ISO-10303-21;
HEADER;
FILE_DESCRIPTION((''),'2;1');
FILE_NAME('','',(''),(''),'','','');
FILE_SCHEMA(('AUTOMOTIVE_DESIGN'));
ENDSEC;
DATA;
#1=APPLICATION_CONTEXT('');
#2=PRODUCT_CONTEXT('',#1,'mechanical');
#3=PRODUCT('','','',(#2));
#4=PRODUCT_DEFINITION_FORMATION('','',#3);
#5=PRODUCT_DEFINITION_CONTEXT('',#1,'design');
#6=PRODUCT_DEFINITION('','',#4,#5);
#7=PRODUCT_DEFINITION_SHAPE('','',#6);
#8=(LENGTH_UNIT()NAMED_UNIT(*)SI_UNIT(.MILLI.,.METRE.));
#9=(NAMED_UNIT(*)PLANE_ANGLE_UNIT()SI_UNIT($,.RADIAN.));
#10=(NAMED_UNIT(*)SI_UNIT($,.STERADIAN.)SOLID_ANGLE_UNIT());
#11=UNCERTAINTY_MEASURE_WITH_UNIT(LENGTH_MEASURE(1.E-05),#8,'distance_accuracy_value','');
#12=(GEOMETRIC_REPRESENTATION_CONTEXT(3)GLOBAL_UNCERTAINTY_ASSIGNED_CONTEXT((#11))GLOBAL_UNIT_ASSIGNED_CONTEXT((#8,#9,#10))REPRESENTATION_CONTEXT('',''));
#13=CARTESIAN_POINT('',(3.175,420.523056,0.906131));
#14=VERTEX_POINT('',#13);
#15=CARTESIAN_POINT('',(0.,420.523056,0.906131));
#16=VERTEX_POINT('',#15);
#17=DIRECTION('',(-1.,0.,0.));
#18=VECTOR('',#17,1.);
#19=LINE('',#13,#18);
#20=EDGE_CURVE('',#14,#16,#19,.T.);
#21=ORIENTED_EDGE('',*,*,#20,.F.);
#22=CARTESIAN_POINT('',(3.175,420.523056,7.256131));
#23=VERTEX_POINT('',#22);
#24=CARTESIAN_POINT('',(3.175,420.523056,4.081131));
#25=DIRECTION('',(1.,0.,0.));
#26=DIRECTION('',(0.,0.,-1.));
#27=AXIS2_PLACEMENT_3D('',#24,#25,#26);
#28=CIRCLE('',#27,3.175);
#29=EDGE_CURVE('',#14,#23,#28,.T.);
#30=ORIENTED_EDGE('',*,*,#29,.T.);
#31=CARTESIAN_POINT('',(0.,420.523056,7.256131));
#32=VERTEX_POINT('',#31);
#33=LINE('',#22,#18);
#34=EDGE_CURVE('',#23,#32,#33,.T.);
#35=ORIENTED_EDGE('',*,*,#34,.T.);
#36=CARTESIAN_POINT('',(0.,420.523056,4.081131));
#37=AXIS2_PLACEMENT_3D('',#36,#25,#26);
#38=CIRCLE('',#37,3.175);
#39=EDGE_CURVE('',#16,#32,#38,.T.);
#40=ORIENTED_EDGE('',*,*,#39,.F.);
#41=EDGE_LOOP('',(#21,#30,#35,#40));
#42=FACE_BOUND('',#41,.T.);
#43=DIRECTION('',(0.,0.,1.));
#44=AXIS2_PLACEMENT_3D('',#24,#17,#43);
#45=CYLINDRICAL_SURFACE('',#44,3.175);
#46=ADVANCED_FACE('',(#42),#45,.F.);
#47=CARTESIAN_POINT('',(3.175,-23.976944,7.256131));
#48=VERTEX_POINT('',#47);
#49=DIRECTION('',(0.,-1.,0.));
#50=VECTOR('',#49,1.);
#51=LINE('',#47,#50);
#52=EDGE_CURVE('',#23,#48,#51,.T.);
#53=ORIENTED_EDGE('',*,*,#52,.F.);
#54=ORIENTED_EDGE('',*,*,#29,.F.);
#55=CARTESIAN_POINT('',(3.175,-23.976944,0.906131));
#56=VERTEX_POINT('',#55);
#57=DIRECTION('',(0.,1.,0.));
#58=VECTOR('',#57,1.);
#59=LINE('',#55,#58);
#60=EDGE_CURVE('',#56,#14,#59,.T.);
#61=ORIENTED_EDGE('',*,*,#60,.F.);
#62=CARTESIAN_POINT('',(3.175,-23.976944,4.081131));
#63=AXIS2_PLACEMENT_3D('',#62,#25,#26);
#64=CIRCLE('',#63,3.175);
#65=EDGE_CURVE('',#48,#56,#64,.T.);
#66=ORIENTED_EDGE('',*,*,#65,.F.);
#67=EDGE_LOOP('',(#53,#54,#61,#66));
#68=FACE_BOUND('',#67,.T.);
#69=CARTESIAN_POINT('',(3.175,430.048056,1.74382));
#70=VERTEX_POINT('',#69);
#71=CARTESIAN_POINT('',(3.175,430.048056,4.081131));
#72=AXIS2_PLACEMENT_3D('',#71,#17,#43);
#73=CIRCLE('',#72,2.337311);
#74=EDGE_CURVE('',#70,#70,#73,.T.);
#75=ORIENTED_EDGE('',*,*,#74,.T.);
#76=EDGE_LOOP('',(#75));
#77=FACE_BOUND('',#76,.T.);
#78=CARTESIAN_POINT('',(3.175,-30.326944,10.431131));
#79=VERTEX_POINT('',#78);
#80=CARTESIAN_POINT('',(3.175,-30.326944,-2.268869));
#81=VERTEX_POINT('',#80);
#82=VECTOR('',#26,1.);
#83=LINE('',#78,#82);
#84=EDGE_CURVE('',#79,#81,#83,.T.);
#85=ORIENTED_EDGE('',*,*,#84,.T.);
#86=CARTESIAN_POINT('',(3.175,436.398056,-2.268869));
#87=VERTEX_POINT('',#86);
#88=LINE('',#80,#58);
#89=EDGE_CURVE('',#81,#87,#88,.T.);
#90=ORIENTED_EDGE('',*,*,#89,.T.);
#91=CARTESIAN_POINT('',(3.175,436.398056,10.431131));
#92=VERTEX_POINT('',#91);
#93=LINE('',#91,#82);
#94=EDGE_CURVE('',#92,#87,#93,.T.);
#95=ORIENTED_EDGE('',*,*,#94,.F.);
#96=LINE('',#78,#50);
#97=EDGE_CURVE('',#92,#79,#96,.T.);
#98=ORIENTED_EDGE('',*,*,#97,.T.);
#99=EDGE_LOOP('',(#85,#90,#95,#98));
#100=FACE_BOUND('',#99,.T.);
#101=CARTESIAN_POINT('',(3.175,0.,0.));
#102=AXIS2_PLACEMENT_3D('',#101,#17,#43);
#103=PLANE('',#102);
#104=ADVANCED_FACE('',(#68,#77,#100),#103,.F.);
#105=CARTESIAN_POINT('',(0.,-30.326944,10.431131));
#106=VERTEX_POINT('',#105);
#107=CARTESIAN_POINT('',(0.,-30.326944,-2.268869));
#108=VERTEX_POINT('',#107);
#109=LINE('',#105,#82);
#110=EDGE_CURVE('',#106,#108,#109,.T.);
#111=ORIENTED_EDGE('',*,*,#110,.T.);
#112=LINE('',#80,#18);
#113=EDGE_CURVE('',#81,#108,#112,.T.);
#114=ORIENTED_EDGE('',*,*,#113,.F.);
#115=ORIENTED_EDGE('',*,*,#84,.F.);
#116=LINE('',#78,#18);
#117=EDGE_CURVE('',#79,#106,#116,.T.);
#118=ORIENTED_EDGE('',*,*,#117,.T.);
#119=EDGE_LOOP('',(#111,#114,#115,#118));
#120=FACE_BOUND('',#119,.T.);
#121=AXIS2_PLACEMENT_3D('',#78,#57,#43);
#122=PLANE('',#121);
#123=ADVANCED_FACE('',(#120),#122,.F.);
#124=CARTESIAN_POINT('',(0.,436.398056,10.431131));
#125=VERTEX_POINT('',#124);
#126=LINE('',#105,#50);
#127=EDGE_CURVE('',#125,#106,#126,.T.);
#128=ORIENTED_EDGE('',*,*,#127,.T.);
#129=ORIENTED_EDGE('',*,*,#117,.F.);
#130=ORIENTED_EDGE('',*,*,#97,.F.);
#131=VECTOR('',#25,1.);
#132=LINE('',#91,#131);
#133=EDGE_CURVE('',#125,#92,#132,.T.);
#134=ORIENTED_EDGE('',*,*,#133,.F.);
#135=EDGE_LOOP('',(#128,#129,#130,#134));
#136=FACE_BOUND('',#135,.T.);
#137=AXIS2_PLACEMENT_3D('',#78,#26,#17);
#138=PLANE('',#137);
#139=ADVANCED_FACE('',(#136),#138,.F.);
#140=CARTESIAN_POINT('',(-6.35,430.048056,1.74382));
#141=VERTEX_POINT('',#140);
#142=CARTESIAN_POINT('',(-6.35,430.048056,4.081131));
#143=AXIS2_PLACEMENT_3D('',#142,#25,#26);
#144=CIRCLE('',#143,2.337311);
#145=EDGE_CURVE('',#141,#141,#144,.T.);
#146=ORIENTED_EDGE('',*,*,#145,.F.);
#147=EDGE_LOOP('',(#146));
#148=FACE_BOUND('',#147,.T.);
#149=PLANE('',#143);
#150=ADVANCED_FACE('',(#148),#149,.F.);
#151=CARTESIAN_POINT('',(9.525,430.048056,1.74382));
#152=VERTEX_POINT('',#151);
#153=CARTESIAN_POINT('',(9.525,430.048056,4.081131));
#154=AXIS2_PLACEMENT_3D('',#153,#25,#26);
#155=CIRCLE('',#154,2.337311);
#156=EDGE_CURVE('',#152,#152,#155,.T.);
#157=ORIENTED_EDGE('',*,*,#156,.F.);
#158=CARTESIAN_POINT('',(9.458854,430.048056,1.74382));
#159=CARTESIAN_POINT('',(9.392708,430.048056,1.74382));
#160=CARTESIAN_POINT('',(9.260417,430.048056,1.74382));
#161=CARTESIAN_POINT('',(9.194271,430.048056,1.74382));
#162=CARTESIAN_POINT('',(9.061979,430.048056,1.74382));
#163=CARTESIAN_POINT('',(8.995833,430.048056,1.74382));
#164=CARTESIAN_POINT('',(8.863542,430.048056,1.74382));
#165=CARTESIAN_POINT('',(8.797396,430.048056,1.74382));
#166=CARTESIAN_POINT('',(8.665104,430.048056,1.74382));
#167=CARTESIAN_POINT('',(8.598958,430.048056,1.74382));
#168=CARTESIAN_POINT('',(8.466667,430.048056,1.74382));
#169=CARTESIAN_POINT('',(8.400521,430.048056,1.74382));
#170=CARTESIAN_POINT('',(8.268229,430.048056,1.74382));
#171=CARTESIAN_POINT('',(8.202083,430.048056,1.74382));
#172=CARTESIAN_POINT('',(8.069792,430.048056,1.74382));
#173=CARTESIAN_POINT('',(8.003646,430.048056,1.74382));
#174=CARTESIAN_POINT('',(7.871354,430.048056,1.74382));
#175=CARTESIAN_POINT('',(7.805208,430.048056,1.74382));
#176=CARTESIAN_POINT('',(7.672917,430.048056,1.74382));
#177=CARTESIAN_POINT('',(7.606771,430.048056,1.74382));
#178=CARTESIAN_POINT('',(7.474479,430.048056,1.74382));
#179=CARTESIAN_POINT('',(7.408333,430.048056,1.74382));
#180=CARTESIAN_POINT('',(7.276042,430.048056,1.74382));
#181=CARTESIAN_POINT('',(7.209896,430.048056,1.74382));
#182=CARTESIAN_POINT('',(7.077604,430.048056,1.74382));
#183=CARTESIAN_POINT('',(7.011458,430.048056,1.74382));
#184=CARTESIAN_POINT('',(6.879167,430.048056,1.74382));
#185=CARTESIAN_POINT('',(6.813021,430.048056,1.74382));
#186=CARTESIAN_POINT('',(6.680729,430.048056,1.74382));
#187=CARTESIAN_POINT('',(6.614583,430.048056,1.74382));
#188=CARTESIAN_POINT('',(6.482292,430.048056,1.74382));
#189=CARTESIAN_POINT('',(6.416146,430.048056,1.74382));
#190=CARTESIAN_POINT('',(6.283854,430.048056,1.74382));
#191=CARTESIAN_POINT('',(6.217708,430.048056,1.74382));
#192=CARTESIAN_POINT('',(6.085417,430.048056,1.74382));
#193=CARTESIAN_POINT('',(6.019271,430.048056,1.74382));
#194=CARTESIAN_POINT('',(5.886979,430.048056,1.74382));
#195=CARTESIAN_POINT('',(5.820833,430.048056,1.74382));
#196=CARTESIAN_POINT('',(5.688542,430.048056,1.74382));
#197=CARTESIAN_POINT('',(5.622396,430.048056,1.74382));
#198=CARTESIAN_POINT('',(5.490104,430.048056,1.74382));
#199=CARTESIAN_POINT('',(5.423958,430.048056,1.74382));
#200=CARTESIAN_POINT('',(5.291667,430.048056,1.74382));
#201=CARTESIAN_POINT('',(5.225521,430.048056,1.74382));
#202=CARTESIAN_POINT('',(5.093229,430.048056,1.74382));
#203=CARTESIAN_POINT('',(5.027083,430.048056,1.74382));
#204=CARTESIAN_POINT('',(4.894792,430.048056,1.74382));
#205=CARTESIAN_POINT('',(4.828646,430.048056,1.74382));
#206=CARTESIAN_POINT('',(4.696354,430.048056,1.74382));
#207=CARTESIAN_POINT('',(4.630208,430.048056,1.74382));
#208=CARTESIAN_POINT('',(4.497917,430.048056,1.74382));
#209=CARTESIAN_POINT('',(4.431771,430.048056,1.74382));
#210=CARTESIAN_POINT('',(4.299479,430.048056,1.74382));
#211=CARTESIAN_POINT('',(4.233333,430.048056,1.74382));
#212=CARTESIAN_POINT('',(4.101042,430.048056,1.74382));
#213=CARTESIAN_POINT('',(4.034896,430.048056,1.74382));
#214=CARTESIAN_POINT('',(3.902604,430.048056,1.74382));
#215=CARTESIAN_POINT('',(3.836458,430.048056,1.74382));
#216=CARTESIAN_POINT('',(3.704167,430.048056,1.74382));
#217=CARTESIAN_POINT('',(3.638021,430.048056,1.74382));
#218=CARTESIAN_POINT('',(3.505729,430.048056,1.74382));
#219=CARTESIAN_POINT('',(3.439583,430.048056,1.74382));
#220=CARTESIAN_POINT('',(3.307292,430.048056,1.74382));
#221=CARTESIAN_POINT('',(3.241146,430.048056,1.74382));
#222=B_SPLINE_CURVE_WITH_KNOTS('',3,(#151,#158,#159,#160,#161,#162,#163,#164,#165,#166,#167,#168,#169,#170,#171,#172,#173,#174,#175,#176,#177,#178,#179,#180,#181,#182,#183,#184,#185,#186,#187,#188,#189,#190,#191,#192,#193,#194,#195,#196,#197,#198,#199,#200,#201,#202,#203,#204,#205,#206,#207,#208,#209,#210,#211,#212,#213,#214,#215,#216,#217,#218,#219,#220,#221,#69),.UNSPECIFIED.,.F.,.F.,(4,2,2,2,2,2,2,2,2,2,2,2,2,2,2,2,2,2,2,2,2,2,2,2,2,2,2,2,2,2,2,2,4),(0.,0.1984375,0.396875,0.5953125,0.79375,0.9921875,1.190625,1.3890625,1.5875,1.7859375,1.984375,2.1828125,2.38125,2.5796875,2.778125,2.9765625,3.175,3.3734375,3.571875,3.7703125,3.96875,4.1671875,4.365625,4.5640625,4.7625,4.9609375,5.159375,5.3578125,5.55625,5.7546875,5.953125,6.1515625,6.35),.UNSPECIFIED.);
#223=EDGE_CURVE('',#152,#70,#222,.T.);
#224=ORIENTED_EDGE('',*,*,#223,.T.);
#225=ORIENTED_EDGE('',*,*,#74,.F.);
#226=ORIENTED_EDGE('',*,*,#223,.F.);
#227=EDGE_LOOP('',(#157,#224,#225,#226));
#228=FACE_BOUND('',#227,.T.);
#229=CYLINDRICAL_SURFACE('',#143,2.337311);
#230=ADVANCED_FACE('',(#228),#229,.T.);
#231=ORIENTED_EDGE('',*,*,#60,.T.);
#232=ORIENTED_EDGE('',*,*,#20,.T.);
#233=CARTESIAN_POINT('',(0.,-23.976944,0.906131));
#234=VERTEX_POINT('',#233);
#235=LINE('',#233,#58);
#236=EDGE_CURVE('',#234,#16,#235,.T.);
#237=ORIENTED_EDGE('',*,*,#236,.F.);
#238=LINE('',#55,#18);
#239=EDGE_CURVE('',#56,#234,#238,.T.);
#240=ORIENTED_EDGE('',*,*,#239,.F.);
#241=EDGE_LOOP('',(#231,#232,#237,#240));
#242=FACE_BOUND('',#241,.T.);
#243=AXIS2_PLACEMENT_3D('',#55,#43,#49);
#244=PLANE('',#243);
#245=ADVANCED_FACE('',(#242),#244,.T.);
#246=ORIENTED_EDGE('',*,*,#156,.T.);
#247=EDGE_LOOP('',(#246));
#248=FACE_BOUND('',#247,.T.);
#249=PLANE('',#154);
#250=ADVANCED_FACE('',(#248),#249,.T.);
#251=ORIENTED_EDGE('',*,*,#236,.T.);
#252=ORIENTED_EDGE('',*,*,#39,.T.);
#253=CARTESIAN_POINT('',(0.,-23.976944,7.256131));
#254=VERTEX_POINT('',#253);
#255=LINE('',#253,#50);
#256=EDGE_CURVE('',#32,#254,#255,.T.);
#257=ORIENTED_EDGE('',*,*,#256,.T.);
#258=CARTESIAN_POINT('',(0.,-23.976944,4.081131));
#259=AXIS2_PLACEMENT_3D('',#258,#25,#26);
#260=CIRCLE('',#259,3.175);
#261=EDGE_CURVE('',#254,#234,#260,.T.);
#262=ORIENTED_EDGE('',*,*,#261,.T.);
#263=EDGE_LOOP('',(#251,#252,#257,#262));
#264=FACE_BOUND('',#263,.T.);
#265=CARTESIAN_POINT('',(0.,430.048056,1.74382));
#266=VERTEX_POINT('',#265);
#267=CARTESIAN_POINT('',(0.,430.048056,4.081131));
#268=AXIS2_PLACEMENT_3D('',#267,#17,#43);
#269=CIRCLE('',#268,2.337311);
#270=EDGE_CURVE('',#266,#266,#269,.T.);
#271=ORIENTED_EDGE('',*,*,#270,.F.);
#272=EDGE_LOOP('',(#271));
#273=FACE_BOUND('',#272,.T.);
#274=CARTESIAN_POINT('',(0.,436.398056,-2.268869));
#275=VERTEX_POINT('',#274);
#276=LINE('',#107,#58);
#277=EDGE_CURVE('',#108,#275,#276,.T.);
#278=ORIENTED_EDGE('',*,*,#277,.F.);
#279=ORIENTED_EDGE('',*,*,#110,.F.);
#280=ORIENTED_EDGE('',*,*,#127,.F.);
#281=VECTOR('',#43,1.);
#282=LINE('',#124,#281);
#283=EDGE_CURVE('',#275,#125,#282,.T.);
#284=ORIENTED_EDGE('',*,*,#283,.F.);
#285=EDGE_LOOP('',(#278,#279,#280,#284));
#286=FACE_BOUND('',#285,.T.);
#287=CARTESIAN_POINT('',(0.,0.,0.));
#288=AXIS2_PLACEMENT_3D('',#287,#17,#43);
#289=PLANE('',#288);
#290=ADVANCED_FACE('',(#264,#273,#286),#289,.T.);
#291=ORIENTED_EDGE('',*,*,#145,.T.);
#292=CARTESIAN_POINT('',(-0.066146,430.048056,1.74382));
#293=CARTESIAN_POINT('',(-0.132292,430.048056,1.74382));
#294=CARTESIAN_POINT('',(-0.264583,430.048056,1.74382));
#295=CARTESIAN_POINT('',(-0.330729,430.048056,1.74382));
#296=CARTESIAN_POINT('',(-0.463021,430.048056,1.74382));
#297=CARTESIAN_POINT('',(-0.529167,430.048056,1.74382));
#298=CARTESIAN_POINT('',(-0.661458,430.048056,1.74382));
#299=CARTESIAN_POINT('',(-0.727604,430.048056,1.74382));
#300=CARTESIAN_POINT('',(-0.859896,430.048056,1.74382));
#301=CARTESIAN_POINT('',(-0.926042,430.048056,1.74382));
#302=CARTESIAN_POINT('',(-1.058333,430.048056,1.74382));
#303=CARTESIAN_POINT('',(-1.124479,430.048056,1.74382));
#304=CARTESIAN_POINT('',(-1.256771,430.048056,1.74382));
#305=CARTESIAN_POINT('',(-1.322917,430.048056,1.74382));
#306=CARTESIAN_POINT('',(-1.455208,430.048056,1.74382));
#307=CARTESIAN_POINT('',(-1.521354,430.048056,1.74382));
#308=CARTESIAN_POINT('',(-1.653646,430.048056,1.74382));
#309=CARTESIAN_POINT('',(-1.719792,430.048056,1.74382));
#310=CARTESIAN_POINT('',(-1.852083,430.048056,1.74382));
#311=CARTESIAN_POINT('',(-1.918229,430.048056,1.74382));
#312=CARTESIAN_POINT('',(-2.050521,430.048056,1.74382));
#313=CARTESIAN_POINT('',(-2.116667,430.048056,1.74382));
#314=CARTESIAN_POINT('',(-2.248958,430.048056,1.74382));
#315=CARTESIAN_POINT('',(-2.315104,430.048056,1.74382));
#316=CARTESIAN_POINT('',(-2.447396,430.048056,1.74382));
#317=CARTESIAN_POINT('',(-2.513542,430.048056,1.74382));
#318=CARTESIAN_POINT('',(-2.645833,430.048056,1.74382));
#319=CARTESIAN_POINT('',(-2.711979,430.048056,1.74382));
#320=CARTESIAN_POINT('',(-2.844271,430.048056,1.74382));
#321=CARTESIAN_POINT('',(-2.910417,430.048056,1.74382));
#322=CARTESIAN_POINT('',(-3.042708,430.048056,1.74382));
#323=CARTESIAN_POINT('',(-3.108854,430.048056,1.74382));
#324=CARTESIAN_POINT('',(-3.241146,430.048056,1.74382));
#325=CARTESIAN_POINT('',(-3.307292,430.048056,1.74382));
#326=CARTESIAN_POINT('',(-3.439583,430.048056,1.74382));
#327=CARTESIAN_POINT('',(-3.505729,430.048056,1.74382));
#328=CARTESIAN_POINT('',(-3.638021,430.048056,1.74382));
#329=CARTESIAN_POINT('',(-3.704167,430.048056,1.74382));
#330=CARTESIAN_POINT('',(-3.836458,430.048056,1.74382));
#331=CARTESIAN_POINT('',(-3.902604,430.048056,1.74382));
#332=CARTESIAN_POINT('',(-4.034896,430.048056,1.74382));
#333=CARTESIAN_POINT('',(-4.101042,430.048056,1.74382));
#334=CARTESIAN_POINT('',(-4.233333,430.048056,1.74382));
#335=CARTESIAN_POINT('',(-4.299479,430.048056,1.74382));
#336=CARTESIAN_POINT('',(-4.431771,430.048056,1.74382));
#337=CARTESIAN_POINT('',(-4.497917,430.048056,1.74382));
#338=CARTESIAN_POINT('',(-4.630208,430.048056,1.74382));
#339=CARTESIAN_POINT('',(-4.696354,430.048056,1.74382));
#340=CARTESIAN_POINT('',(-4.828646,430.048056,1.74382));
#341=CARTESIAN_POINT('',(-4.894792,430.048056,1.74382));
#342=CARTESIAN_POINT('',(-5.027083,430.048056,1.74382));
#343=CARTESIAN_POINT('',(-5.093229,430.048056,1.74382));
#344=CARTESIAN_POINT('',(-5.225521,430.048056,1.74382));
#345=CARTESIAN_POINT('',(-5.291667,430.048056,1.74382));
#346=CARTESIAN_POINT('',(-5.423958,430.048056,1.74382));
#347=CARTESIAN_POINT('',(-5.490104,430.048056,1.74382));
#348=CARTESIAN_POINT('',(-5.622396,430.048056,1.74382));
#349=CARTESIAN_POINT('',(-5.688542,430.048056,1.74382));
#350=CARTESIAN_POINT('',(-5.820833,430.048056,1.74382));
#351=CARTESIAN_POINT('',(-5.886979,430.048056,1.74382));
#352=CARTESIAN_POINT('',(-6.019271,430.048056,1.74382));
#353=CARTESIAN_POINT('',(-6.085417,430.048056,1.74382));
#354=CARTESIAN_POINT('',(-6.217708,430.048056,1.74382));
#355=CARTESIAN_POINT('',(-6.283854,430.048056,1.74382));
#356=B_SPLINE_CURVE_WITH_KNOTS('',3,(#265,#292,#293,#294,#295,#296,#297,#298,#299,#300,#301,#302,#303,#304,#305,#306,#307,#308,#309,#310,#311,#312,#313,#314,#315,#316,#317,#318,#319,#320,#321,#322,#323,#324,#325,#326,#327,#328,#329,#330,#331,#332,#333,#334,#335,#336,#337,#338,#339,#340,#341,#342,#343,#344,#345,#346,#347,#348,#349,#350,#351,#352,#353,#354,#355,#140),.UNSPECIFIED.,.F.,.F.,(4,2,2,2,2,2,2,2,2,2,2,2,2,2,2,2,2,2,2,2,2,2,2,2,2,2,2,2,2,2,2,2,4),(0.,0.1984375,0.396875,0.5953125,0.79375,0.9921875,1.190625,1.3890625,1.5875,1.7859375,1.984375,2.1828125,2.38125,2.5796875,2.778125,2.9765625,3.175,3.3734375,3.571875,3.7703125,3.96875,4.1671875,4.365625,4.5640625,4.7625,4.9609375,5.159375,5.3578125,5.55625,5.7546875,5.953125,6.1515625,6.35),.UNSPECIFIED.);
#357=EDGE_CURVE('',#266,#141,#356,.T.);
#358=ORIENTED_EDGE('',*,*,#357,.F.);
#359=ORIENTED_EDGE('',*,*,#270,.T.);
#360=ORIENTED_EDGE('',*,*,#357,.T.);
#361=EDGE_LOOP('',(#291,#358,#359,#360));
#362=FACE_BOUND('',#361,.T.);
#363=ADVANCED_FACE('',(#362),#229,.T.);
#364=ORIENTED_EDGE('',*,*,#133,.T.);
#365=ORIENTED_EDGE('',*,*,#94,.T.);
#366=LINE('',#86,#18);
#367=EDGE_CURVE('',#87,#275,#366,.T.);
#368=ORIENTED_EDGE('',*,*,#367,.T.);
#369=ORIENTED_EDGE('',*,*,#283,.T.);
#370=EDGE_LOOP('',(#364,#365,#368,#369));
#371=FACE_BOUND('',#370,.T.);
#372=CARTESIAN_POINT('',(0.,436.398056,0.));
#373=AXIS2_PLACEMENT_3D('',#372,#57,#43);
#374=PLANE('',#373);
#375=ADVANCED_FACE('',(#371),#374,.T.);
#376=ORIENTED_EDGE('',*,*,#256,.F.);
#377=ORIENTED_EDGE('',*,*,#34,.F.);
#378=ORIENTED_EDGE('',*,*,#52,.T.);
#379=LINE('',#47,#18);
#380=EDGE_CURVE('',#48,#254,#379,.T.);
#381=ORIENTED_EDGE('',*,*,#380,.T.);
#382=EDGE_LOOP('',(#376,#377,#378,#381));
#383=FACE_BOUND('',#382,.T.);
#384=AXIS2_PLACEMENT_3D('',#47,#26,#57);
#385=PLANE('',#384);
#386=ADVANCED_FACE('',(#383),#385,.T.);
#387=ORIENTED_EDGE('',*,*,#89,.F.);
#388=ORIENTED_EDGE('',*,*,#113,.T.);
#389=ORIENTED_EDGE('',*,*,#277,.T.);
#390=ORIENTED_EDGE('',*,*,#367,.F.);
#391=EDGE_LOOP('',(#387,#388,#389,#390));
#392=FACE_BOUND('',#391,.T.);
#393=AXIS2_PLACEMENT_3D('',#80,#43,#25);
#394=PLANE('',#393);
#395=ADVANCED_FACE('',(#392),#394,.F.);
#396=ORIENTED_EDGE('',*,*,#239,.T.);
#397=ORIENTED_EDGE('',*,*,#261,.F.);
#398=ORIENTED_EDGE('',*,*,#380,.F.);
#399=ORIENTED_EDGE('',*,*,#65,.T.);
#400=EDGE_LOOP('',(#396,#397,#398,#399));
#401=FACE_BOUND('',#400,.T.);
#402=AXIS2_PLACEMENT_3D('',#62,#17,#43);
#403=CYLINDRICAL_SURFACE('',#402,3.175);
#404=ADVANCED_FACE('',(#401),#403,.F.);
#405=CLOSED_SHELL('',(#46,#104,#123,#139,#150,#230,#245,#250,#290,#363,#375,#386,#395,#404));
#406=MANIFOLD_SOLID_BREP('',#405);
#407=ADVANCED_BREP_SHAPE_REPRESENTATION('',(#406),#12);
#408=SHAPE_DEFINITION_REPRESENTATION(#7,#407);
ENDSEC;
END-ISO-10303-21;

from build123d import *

# Parameters (mm, degrees)
SKETCH1_W                = 12.7
SKETCH1_H                = 457.2
BOSS_EXTRUDE1_DEPTH      = 3.175
SKETCH2_W                = 3.175
SKETCH2_H                = 12.7
BOSS_EXTRUDE2_DEPTH      = 9.525
BOSS_EXTRUDE3_DEPTH      = 6.35
BOSS_EXTRUDE3_DEPTH_BACK = 9.525
SKETCH3_R                = 2.337311212


with BuildPart() as part:
    # Sketch1 → Boss-Extrude1 (new body)
    with BuildSketch(Plane(origin=(0, 0, 0), x_dir=(0, 0, -1), z_dir=(1, 0, 0))):
        with Locations((-4.081130849, 198.273055815)):
            Rectangle(SKETCH1_W, SKETCH1_H)
        with BuildLine():
            Line((-7.256130849, -23.976944185), (-7.256130849, 420.523055815))
            ThreePointArc((-7.256130849, 420.523055815), (-4.081130849, 423.698055815), (-0.906130849, 420.523055815))
            Line((-0.906130849, 420.523055815), (-0.906130849, -23.976944185))
            ThreePointArc((-0.906130849, -23.976944185), (-4.081130849, -27.151944185), (-7.256130849, -23.976944185))
        make_face(mode=Mode.SUBTRACT)
    extrude(amount=BOSS_EXTRUDE1_DEPTH)

    # Sketch2 → Boss-Extrude2 (add)
    with BuildSketch(Plane(origin=(0, 426.873055815, 0), x_dir=(1, 0, 0), z_dir=(0, 1, 0))):
        with Locations((1.5875, -4.081130849)):
            Rectangle(SKETCH2_W, SKETCH2_H)
    extrude(amount=BOSS_EXTRUDE2_DEPTH)

    # Sketch3 → Boss-Extrude3 (add, two sides: drawn at the far end of the back side and taken through both)
    with BuildSketch(Plane(origin=(3.175, 0, 0), x_dir=(0, 0, -1), z_dir=(1, 0, 0)).offset(-BOSS_EXTRUDE3_DEPTH_BACK)):
        with Locations((-4.081130849, 430.048055815)):
            Circle(SKETCH3_R)
    extrude(amount=BOSS_EXTRUDE3_DEPTH + BOSS_EXTRUDE3_DEPTH_BACK)


solid = part.part
